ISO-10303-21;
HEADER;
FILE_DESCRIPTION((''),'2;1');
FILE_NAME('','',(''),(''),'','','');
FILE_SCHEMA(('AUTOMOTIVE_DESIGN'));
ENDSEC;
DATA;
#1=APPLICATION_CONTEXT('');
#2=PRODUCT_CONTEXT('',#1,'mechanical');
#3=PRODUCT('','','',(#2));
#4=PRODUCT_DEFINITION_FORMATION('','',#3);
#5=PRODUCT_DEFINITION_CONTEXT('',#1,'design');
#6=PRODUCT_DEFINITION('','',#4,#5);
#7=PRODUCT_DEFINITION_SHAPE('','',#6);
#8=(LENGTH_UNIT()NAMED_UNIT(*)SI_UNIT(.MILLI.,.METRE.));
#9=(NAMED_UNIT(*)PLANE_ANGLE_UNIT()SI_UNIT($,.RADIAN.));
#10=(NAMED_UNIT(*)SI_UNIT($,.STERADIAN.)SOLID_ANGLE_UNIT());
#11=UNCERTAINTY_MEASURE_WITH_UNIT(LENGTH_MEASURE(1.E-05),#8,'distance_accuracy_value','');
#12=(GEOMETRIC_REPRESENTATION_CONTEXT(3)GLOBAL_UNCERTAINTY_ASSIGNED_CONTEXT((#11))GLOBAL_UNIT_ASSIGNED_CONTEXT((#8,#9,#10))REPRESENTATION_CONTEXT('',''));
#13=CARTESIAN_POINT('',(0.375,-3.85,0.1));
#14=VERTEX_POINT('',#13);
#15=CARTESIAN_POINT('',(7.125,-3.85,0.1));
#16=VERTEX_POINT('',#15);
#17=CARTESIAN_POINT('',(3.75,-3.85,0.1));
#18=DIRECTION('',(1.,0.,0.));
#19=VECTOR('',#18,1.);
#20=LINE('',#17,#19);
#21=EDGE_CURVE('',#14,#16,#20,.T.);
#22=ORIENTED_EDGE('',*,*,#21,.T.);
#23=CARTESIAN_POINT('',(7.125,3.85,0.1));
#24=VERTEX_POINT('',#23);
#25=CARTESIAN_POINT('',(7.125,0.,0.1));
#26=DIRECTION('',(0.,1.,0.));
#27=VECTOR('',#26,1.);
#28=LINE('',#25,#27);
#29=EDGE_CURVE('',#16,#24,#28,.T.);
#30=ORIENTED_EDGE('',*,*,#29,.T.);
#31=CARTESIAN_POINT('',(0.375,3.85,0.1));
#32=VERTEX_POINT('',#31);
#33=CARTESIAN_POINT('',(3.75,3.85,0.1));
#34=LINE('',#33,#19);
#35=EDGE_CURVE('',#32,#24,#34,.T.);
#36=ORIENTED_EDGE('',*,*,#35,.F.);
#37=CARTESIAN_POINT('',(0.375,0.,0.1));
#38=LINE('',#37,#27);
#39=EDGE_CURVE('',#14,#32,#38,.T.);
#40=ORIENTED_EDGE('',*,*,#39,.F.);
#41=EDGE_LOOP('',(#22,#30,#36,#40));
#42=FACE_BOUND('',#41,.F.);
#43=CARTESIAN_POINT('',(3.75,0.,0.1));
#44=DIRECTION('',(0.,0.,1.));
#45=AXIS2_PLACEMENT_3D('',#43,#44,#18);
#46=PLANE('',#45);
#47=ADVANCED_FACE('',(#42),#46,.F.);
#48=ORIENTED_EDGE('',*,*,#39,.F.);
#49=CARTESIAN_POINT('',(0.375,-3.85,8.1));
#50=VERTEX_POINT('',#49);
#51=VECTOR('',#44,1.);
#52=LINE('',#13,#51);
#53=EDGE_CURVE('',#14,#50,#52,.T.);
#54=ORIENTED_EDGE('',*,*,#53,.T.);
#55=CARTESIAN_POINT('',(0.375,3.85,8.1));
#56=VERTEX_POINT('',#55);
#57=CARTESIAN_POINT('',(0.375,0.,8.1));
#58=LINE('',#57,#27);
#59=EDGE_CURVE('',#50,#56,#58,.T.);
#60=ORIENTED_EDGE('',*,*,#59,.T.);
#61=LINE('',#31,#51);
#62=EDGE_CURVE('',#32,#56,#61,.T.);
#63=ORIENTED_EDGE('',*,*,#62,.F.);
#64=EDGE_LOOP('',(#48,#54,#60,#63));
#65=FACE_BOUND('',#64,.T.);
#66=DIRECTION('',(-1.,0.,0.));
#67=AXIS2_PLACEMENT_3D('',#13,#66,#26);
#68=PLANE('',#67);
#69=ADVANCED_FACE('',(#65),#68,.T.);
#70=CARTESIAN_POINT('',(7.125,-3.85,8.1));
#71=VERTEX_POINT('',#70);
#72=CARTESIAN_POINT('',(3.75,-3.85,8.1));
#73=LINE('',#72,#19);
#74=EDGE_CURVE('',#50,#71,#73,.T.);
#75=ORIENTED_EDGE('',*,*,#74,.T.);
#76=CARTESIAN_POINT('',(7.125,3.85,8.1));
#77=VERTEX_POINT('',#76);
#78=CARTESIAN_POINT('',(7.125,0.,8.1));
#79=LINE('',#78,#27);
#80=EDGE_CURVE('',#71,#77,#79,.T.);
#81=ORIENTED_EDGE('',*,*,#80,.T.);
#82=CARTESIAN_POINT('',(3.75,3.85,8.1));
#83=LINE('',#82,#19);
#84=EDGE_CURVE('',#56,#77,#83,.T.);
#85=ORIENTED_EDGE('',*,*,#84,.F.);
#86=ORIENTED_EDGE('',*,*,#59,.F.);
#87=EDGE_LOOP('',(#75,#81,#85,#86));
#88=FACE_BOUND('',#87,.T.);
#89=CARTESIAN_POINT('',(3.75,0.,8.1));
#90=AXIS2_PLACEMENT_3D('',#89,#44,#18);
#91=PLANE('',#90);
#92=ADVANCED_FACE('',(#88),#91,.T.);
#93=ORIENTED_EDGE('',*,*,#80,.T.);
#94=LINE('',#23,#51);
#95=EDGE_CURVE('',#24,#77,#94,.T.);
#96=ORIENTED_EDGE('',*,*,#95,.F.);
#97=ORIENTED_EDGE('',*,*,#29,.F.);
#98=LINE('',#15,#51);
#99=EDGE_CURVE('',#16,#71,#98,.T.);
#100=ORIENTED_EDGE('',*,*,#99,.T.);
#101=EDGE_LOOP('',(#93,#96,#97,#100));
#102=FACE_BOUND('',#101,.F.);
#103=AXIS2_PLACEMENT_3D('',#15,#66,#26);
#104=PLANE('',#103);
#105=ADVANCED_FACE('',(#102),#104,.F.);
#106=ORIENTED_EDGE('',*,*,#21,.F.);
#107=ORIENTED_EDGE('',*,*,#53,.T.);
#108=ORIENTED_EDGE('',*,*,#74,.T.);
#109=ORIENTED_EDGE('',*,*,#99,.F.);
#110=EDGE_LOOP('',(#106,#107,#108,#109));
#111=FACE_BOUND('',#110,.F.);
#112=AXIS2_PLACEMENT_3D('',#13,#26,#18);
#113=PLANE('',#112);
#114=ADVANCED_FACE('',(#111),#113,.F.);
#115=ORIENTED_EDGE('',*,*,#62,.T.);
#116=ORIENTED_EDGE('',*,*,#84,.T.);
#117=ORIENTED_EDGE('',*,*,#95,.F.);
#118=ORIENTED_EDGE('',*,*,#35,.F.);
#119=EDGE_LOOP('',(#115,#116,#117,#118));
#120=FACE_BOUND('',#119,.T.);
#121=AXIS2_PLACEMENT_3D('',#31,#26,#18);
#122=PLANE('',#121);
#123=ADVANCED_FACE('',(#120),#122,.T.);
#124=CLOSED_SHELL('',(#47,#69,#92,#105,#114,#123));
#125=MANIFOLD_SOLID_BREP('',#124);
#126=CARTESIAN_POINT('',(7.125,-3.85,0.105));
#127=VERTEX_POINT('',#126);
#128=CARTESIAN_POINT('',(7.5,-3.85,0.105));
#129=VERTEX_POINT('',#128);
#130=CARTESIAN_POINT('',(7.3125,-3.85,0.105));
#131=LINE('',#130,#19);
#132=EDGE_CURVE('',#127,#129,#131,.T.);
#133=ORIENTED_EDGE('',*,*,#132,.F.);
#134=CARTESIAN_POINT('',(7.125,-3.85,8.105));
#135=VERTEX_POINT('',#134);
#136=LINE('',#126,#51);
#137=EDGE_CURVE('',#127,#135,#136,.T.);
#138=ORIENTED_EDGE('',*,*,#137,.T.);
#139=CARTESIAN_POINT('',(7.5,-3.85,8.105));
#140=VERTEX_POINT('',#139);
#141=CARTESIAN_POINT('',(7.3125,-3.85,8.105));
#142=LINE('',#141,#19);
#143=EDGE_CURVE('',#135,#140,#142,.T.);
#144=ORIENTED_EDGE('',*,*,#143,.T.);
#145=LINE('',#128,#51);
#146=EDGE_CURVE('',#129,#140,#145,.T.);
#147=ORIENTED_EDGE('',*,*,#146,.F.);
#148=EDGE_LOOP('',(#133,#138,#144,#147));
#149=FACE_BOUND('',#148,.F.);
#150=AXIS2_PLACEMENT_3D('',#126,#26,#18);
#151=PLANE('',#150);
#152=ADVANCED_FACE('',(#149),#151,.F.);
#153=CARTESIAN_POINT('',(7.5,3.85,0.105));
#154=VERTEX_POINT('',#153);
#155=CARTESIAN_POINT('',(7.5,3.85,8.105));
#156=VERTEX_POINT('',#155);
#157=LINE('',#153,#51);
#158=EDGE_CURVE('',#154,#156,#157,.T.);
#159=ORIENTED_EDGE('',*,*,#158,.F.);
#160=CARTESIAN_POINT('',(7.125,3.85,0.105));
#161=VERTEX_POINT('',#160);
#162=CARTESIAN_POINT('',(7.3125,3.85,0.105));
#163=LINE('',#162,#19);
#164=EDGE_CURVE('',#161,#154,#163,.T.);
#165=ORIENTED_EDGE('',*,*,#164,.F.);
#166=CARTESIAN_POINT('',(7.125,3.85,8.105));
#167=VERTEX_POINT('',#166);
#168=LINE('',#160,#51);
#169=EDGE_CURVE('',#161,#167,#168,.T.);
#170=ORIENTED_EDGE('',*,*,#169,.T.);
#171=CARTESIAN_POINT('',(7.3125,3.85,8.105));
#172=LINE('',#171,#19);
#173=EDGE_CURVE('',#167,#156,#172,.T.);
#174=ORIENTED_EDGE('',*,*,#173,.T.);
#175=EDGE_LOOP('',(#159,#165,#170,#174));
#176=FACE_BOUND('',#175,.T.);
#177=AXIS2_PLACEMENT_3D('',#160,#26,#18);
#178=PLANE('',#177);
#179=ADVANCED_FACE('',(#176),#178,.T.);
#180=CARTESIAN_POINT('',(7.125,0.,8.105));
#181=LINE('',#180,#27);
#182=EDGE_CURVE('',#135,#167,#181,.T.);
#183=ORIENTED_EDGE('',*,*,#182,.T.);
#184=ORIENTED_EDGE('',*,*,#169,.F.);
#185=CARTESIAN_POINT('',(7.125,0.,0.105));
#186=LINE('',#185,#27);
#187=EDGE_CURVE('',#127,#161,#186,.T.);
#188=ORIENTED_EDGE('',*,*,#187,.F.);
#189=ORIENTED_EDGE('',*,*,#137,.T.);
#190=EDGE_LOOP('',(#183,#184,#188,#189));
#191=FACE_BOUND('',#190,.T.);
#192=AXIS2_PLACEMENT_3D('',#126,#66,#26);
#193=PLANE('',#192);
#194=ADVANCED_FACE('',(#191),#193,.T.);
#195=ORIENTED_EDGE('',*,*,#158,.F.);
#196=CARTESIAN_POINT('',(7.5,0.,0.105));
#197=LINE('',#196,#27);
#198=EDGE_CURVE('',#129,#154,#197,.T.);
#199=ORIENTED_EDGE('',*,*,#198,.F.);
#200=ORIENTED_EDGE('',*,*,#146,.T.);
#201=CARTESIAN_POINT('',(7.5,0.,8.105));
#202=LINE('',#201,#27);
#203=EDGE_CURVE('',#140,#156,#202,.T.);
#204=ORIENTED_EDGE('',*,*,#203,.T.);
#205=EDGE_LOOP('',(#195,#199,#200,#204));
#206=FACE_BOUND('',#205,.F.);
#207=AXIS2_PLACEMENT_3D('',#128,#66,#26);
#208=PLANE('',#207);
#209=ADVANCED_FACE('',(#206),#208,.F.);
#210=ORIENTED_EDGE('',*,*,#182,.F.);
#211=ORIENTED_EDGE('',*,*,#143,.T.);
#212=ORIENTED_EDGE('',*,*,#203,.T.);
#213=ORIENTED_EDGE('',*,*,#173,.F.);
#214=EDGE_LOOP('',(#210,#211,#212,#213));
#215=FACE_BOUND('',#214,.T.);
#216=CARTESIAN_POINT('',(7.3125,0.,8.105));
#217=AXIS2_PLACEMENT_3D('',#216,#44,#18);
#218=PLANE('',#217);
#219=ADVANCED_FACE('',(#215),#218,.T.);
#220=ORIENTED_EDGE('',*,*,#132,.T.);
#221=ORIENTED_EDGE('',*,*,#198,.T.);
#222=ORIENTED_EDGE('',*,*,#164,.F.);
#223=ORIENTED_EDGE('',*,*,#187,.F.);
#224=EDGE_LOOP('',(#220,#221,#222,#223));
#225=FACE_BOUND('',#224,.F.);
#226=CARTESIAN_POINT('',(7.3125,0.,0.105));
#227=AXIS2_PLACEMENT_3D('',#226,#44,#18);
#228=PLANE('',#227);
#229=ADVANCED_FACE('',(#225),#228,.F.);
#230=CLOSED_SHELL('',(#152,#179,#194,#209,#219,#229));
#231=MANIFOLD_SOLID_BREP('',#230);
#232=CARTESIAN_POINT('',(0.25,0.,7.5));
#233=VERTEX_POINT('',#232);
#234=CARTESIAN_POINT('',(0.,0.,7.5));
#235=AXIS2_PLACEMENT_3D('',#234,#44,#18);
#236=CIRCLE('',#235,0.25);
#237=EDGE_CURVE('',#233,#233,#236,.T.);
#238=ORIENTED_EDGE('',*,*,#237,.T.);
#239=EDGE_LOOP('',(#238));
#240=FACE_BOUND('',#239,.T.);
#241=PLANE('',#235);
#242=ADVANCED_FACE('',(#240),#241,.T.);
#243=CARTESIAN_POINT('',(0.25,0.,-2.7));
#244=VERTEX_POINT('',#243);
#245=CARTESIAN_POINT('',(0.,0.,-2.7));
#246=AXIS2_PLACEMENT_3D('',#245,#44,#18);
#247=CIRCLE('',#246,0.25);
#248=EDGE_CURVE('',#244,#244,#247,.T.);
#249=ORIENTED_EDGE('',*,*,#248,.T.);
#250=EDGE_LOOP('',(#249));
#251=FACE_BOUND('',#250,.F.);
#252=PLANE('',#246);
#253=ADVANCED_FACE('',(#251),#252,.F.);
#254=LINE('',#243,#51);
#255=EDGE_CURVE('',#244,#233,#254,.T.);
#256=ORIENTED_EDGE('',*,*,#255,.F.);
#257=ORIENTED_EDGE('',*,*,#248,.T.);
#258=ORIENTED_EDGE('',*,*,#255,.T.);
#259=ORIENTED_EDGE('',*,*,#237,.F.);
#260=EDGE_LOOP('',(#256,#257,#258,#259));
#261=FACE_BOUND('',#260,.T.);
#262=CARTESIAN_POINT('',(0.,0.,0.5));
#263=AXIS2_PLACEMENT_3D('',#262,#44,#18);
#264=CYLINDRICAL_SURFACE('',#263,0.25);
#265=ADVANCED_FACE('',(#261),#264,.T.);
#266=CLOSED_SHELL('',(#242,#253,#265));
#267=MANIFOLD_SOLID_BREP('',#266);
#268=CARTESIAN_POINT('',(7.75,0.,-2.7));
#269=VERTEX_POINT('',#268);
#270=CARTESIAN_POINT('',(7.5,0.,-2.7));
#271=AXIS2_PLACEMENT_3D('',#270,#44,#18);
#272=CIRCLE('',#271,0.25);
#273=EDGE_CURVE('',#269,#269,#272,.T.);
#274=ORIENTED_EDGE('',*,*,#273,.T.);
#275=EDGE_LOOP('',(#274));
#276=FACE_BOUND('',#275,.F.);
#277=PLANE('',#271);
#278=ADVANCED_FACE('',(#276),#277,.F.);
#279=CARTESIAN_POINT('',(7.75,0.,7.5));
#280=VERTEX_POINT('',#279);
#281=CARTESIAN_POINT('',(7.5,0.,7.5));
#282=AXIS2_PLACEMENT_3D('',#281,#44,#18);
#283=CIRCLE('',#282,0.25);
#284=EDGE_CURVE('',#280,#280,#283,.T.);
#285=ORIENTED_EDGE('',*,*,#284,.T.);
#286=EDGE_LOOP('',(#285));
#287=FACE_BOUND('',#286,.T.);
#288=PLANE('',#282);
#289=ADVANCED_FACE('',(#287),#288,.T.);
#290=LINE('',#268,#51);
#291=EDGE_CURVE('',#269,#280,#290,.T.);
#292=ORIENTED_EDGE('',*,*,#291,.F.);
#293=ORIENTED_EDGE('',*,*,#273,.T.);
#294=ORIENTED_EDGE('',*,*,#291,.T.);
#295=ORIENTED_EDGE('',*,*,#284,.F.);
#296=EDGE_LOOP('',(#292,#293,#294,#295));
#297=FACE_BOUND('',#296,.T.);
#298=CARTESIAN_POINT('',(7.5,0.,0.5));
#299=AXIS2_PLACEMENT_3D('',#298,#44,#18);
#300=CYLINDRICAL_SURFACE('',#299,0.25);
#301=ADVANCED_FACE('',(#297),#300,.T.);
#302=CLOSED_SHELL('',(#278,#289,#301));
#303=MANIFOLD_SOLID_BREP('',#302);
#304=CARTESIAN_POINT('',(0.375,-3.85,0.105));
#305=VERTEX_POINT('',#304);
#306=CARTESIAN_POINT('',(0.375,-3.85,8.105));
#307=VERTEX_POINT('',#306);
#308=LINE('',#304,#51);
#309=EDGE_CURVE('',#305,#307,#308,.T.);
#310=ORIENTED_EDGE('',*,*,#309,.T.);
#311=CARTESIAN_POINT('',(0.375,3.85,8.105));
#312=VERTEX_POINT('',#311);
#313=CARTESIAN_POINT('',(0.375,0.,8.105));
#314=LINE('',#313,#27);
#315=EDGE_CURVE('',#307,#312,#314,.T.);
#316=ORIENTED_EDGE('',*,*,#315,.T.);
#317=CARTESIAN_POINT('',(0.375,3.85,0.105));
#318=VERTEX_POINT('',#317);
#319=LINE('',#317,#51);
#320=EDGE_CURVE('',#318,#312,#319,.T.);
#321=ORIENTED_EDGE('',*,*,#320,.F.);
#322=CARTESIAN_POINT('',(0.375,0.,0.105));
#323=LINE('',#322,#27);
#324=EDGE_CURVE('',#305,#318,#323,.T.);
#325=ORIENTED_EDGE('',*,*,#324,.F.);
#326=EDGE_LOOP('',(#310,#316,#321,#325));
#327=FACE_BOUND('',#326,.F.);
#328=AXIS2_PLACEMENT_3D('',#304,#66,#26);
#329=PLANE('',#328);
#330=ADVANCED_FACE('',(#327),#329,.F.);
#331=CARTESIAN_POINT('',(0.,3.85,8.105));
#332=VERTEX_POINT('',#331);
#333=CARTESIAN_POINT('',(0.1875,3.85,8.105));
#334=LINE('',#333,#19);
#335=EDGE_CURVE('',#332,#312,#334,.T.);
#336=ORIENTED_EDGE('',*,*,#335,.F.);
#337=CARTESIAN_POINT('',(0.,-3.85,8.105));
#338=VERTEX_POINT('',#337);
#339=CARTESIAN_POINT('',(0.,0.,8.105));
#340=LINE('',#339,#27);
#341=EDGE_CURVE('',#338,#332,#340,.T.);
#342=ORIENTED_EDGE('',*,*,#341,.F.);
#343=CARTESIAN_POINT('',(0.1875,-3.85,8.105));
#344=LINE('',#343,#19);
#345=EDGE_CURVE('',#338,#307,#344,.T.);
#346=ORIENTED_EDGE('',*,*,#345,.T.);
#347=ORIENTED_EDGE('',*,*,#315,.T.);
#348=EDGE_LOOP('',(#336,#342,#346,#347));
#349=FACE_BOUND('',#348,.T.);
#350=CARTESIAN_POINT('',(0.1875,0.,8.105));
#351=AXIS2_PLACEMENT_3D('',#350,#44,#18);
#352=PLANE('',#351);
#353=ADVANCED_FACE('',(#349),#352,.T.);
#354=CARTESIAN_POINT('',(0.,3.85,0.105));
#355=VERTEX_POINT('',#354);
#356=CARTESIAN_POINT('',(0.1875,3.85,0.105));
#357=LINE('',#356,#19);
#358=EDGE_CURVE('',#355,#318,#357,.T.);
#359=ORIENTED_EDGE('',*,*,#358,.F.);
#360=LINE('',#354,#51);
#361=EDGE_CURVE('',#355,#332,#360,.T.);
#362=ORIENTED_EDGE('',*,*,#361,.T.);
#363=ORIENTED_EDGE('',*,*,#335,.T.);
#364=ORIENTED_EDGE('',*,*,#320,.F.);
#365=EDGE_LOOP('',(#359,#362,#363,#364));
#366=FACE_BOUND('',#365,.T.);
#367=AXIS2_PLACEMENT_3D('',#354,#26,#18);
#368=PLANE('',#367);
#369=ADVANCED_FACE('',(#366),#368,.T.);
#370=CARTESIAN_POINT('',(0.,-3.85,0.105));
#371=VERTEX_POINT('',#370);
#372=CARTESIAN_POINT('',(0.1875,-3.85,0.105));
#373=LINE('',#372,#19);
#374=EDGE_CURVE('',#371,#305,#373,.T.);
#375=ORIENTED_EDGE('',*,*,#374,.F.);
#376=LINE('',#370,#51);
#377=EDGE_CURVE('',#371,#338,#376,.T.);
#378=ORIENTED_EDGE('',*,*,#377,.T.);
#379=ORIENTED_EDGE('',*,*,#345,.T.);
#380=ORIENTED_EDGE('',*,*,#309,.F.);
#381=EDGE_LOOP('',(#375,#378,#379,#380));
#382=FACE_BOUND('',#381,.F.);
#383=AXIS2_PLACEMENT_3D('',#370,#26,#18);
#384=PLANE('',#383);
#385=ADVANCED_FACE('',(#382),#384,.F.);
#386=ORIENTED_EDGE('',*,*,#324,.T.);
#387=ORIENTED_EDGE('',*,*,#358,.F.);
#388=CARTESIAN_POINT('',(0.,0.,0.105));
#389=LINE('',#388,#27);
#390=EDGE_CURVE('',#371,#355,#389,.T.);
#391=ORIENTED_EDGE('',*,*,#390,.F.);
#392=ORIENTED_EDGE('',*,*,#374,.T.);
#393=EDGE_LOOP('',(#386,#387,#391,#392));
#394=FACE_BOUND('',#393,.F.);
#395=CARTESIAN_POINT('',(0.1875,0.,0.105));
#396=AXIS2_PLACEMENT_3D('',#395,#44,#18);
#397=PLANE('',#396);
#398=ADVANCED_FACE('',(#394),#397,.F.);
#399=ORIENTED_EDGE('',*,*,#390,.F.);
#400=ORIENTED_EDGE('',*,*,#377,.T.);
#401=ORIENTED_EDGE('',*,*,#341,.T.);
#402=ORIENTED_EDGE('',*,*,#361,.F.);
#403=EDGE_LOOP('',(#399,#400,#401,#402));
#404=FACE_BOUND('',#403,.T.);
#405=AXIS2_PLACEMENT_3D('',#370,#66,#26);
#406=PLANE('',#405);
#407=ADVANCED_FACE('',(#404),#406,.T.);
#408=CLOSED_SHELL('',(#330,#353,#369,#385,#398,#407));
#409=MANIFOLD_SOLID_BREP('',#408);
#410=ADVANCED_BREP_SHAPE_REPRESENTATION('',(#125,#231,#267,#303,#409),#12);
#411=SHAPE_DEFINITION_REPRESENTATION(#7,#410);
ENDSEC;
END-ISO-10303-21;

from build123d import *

# Parameters (mm, degrees)
SKETCH_W          = 6.75
SKETCH_H          = 7.7
PAD_DEPTH         = 8
SKETCH001_R       = 0.25
PAD001_DEPTH      = 7
PAD001_DEPTH_BACK = 3.2
SKETCH002_W       = 0.375
SKETCH002_H       = 7.7
PAD002_DEPTH      = 8


with BuildPart() as pad:
    # Sketch → Pad (new body)
    with BuildSketch(Plane.XY.offset(0.1)):
        with Locations((3.75, 0)):
            Rectangle(SKETCH_W, SKETCH_H)
    extrude(amount=PAD_DEPTH)


with BuildPart() as pad001:
    # Sketch001 → Pad001 (new body, two sides)
    with BuildSketch(Plane.XY.offset(0.5)) as pad001_sk:
        Circle(SKETCH001_R)
        with Locations((7.5, 0)):
            Circle(SKETCH001_R)
    extrude(amount=PAD001_DEPTH)
    extrude(pad001_sk.sketch, amount=-PAD001_DEPTH_BACK)


with BuildPart() as pad002:
    # Sketch002 → Pad002 (new body)
    with BuildSketch(Plane.XY.offset(0.105)):
        with Locations((0.1875, 0)):
            Rectangle(SKETCH002_W, SKETCH002_H)
        with Locations((7.3125, 0)):
            Rectangle(SKETCH002_W, SKETCH002_H)
    extrude(amount=PAD002_DEPTH)


solid = Compound([pad.part, pad001.part, pad002.part])
